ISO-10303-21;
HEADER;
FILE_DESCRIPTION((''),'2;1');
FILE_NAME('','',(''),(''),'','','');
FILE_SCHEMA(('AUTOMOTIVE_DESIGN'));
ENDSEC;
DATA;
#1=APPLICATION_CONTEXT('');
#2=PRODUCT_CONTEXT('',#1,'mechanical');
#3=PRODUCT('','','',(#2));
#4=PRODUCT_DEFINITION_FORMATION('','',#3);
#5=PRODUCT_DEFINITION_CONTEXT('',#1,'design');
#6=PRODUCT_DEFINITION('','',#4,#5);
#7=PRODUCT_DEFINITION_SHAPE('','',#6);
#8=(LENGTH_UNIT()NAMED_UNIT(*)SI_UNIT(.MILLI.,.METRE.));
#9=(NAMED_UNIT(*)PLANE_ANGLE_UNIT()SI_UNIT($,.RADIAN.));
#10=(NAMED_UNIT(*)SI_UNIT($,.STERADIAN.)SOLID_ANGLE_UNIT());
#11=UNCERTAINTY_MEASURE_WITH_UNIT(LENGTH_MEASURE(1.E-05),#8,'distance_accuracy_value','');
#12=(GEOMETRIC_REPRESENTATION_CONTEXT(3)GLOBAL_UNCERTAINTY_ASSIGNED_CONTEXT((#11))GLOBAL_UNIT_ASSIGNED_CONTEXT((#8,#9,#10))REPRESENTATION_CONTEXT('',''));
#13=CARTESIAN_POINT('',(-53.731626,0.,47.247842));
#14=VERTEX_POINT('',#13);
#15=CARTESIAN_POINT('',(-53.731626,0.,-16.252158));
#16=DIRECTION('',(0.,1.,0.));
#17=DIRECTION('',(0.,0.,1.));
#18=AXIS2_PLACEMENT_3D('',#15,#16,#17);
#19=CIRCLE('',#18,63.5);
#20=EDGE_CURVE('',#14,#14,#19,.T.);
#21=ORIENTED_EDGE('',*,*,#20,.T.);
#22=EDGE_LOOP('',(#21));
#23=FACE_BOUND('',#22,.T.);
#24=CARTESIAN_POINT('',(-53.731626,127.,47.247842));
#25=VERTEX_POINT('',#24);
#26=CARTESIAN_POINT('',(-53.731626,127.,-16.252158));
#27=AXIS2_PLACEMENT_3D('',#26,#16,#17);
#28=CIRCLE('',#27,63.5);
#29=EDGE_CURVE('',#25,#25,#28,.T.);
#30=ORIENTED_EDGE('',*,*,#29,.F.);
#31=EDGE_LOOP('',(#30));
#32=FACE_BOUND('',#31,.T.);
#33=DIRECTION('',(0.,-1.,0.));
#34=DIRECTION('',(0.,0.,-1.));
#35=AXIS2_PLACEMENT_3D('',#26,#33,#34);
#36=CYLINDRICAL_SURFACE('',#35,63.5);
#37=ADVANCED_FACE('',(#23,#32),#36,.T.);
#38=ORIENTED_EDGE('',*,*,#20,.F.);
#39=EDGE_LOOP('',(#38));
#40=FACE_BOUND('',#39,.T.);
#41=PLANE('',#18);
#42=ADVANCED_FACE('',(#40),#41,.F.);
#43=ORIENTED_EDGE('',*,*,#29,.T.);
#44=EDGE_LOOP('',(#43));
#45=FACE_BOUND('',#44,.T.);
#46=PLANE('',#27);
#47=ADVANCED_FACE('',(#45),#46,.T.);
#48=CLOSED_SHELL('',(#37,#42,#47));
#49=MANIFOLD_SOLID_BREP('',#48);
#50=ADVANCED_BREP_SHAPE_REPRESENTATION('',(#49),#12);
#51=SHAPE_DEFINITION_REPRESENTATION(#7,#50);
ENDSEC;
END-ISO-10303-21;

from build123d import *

# Parameters (mm, degrees)
SKETCH1_R           = 63.5
BOSS_EXTRUDE1_DEPTH = 127


with BuildPart() as part:
    # Sketch1 → Boss-Extrude1 (new body)
    with BuildSketch(Plane(origin=(0, 0, 0), x_dir=(1, 0, 0), z_dir=(0, 1, 0))):
        with Locations((-53.731625514, 16.252158335)):
            Circle(SKETCH1_R)
    extrude(amount=BOSS_EXTRUDE1_DEPTH)


solid = part.part
